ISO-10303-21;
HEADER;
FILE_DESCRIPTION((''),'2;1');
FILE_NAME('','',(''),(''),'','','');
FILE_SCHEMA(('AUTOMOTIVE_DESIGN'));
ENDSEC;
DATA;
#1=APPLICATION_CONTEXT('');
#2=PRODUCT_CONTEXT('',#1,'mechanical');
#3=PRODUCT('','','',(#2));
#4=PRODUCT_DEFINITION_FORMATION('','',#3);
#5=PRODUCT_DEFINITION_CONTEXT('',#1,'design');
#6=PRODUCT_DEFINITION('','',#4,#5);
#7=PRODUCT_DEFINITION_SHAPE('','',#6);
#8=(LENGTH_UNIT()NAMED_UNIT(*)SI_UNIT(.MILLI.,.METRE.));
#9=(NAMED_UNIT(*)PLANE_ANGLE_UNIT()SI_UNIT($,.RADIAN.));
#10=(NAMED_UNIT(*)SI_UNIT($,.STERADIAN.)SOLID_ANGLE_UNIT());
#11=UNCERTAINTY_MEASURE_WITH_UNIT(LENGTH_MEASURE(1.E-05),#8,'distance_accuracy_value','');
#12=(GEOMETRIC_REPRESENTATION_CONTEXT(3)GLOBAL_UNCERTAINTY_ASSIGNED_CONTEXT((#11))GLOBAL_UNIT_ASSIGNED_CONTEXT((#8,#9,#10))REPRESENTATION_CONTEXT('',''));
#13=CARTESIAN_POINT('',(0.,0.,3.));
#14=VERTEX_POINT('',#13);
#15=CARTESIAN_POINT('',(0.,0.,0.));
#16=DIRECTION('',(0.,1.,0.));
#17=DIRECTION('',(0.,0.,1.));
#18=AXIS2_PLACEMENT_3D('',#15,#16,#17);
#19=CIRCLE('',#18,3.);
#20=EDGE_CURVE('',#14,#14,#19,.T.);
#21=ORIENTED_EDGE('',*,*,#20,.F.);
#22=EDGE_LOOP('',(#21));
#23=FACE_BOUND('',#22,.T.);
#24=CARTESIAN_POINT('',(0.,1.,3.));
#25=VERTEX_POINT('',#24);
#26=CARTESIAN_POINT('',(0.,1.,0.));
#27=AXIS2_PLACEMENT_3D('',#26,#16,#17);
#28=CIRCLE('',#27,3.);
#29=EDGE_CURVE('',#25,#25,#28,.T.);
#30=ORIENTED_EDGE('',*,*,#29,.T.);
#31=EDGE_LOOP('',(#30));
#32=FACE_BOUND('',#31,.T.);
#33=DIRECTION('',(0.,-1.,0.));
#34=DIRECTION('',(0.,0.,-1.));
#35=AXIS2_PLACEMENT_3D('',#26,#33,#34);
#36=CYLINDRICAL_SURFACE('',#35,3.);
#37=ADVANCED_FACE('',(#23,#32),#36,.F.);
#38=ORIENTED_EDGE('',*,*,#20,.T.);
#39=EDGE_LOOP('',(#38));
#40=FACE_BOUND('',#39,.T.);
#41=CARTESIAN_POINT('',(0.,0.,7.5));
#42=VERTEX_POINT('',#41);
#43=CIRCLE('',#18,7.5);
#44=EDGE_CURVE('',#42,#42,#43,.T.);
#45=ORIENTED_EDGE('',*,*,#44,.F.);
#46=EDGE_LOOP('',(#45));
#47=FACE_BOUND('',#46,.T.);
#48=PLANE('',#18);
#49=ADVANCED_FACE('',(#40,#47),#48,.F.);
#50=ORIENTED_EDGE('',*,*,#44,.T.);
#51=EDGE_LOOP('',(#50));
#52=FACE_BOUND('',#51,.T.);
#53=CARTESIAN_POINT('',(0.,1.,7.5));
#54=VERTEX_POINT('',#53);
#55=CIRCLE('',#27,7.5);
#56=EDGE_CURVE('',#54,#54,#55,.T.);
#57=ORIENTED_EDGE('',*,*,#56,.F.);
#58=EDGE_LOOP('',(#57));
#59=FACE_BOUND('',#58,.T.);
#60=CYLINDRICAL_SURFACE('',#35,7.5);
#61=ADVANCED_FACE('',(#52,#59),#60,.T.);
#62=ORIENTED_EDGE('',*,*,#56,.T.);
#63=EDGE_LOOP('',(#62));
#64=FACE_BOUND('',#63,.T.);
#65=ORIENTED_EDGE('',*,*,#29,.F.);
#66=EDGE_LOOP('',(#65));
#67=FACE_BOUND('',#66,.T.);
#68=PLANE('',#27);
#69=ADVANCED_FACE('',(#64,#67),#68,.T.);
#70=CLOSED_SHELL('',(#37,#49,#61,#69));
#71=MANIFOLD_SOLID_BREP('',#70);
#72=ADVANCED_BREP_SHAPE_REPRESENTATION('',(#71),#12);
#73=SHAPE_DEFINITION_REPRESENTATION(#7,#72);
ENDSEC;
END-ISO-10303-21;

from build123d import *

# Parameters (mm, degrees)
ESBO_O1_R                = 7.5
ESBO_O1_R_2              = 3
RESSALTO_EXTRUS_O1_DEPTH = 1


with BuildPart() as part:
    # Esboço1 → Ressalto-extrusão1 (new body)
    with BuildSketch(Plane(origin=(0, 0, 0), x_dir=(1, 0, 0), z_dir=(0, 1, 0))):
        with Locations(Location((0, 0, 0), (0, 0, 270))):
            Circle(ESBO_O1_R)
        with Locations(Location((0, 0, 0), (0, 0, 270))):
            Circle(ESBO_O1_R_2, mode=Mode.SUBTRACT)
    extrude(amount=RESSALTO_EXTRUS_O1_DEPTH)


solid = part.part
